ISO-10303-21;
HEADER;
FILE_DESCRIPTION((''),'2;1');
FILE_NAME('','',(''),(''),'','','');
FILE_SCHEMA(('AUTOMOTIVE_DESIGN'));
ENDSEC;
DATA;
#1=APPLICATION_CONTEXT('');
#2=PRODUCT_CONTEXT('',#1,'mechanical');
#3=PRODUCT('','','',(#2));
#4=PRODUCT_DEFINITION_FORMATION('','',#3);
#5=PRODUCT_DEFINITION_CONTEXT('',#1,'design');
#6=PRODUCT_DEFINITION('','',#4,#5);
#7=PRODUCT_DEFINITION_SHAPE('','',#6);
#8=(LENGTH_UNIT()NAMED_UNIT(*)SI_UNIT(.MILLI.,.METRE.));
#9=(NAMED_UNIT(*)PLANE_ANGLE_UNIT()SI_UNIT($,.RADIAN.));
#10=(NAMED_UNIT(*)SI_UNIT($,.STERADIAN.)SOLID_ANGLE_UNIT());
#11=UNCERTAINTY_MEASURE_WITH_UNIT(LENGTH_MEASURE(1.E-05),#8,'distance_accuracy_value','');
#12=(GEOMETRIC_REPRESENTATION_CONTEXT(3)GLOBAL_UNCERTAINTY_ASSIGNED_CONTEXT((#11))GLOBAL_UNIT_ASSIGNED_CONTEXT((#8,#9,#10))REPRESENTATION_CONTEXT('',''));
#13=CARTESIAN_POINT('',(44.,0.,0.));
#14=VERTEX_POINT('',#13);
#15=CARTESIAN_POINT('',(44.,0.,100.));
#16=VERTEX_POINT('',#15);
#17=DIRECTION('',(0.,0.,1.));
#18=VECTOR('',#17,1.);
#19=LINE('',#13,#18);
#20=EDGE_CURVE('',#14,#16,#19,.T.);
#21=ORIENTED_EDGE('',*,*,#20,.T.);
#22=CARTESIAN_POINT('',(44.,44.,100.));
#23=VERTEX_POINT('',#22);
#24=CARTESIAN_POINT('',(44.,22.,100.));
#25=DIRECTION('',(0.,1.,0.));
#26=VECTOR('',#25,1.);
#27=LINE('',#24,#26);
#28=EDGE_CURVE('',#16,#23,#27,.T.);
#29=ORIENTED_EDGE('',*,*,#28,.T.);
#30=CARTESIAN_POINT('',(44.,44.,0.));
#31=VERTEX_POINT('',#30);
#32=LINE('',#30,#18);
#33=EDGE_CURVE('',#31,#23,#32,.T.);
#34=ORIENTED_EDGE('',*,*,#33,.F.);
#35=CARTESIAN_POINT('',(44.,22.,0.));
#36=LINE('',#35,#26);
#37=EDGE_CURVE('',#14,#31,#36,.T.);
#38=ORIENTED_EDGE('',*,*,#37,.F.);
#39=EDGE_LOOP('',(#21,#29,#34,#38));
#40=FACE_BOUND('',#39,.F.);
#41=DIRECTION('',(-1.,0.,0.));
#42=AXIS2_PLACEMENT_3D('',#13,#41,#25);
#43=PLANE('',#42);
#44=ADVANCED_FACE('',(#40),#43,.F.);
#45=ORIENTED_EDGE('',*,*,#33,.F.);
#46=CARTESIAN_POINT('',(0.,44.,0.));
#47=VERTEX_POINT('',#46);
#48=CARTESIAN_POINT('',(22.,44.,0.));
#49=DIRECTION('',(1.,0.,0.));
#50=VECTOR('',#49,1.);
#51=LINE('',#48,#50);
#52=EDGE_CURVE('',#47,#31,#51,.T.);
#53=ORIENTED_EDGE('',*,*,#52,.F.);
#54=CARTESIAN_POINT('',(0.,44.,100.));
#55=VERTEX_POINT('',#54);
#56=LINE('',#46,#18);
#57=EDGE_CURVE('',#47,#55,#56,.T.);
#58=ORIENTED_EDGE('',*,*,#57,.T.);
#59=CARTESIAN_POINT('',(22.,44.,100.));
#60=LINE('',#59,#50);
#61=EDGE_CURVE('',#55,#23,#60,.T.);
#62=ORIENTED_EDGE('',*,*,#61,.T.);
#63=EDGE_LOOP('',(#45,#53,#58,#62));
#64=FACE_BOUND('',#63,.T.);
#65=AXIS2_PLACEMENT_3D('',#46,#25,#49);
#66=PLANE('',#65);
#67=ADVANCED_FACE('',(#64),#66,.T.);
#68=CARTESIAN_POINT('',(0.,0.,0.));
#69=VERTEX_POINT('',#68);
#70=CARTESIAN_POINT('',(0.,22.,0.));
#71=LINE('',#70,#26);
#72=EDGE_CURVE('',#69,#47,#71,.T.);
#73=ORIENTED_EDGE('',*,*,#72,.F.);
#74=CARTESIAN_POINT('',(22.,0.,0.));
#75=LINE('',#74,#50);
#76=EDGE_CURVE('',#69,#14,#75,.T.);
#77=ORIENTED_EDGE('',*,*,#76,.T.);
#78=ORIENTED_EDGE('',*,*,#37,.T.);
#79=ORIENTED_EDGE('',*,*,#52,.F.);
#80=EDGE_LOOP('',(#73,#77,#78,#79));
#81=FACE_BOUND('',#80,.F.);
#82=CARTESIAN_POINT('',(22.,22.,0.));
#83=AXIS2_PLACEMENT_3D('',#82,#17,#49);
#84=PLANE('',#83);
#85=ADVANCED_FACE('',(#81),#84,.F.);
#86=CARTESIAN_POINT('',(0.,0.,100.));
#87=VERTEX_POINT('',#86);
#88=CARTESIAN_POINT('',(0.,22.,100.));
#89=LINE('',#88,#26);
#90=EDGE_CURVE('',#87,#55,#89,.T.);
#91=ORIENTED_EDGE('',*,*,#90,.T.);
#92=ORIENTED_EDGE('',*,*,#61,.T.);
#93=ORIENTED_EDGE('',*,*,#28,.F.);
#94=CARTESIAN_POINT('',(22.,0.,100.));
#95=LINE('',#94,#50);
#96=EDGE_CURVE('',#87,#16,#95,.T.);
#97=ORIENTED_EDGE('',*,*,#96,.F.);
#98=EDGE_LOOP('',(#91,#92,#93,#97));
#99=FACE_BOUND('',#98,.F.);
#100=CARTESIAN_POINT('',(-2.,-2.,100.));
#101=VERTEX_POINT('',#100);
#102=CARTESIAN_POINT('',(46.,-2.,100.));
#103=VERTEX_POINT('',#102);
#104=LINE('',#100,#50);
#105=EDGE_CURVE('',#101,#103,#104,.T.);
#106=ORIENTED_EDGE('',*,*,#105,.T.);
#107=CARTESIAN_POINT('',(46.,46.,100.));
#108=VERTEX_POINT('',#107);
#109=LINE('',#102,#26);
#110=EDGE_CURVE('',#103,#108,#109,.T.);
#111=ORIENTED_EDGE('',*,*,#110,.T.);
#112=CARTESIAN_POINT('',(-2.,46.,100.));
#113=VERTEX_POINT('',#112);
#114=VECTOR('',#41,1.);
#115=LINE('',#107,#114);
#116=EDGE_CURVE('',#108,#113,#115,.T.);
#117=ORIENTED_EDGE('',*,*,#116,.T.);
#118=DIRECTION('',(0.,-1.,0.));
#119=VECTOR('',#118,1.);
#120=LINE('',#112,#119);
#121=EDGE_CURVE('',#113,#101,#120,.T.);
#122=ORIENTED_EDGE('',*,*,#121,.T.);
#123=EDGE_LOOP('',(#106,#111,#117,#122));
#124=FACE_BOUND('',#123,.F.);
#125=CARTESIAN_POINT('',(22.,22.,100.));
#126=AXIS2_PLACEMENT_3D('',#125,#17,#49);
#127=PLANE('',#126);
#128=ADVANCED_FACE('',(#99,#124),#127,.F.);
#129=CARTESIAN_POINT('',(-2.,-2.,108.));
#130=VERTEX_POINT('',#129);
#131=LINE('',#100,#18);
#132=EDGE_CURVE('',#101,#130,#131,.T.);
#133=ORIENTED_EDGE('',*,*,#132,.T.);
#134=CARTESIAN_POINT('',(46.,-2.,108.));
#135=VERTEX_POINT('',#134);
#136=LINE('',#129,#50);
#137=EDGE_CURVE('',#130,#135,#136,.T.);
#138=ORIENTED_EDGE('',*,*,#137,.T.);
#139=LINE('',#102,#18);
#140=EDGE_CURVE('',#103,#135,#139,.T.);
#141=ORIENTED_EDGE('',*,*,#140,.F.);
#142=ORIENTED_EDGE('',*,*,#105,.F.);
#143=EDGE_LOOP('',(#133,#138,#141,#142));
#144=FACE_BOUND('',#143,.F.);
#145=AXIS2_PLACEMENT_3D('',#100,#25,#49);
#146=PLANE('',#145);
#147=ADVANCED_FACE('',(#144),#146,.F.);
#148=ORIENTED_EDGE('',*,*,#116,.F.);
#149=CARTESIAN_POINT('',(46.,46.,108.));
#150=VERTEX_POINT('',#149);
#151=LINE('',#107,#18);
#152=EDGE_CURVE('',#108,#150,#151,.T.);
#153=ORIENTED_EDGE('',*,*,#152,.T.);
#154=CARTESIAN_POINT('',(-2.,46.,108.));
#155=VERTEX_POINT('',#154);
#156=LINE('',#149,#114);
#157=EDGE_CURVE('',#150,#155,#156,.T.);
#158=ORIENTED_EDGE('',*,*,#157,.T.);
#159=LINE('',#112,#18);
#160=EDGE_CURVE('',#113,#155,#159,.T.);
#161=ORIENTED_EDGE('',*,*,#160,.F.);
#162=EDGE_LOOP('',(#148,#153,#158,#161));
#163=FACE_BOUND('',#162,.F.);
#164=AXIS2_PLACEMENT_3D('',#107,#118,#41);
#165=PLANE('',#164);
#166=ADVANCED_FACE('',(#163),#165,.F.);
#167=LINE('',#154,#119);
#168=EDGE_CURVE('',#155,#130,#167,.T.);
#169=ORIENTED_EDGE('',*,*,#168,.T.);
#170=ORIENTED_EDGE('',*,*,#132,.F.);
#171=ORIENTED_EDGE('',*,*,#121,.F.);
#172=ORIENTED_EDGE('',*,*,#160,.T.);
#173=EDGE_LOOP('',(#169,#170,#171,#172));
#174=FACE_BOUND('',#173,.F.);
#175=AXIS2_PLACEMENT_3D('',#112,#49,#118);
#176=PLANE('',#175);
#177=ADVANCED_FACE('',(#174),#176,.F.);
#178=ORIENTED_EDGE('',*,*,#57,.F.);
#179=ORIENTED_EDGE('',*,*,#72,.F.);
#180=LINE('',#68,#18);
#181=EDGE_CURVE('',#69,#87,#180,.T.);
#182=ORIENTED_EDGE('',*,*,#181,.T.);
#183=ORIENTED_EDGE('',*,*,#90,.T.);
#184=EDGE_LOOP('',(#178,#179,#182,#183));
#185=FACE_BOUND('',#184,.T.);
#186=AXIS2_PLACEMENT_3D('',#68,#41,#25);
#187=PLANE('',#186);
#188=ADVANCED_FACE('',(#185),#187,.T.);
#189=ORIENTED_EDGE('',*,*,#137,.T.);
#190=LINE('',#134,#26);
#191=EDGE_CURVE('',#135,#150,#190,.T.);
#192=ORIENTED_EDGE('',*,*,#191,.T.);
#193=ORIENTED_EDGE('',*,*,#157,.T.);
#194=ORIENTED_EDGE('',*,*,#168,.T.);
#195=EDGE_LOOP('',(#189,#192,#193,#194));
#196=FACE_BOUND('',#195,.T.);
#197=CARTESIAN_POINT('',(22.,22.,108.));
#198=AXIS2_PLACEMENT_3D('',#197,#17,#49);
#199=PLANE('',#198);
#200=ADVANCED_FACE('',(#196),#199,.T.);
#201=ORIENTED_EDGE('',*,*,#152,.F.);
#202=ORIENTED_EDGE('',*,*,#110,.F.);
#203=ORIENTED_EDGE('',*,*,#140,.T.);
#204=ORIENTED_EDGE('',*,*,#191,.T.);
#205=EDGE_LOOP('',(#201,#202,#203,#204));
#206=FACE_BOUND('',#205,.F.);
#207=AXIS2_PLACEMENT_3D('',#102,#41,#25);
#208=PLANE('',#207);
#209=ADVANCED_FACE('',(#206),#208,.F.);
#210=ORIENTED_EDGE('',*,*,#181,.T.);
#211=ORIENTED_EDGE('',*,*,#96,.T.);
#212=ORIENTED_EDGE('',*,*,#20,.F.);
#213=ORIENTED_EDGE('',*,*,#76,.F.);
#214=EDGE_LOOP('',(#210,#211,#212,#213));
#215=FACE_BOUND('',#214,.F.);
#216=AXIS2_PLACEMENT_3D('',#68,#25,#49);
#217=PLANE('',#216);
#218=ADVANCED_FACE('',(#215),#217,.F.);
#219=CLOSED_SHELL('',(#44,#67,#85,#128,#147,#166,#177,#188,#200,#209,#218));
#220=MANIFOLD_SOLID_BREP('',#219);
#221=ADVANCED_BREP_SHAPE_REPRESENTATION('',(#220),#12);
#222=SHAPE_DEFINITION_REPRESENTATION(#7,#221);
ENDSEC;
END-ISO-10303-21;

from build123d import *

# Parameters (mm, degrees)
F0_W     = 44
F0_H     = 44
F1_DEPTH = 100
F2_W     = 44
F2_H     = 44
F3_DEPTH = 8


with BuildPart() as f1:
    # F0 (on Top) → F1 (new body)
    with BuildSketch(Plane.XY):
        with Locations((22, 22)):
            Rectangle(F0_W, F0_H)
    extrude(amount=F1_DEPTH)

    # F2 (on face) → F3 (join)
    with BuildSketch(Plane.XY.offset(100)):
        Polygon((-2, -2), (0, -2), (46, -2), (46, 46), (-2, 46), align=None)
        with Locations((22, 22)):
            Rectangle(F2_W, F2_H, mode=Mode.SUBTRACT)
        with Locations((22, 22)):
            Rectangle(F2_W, F2_H)
    extrude(amount=F3_DEPTH)


solid = f1.part
